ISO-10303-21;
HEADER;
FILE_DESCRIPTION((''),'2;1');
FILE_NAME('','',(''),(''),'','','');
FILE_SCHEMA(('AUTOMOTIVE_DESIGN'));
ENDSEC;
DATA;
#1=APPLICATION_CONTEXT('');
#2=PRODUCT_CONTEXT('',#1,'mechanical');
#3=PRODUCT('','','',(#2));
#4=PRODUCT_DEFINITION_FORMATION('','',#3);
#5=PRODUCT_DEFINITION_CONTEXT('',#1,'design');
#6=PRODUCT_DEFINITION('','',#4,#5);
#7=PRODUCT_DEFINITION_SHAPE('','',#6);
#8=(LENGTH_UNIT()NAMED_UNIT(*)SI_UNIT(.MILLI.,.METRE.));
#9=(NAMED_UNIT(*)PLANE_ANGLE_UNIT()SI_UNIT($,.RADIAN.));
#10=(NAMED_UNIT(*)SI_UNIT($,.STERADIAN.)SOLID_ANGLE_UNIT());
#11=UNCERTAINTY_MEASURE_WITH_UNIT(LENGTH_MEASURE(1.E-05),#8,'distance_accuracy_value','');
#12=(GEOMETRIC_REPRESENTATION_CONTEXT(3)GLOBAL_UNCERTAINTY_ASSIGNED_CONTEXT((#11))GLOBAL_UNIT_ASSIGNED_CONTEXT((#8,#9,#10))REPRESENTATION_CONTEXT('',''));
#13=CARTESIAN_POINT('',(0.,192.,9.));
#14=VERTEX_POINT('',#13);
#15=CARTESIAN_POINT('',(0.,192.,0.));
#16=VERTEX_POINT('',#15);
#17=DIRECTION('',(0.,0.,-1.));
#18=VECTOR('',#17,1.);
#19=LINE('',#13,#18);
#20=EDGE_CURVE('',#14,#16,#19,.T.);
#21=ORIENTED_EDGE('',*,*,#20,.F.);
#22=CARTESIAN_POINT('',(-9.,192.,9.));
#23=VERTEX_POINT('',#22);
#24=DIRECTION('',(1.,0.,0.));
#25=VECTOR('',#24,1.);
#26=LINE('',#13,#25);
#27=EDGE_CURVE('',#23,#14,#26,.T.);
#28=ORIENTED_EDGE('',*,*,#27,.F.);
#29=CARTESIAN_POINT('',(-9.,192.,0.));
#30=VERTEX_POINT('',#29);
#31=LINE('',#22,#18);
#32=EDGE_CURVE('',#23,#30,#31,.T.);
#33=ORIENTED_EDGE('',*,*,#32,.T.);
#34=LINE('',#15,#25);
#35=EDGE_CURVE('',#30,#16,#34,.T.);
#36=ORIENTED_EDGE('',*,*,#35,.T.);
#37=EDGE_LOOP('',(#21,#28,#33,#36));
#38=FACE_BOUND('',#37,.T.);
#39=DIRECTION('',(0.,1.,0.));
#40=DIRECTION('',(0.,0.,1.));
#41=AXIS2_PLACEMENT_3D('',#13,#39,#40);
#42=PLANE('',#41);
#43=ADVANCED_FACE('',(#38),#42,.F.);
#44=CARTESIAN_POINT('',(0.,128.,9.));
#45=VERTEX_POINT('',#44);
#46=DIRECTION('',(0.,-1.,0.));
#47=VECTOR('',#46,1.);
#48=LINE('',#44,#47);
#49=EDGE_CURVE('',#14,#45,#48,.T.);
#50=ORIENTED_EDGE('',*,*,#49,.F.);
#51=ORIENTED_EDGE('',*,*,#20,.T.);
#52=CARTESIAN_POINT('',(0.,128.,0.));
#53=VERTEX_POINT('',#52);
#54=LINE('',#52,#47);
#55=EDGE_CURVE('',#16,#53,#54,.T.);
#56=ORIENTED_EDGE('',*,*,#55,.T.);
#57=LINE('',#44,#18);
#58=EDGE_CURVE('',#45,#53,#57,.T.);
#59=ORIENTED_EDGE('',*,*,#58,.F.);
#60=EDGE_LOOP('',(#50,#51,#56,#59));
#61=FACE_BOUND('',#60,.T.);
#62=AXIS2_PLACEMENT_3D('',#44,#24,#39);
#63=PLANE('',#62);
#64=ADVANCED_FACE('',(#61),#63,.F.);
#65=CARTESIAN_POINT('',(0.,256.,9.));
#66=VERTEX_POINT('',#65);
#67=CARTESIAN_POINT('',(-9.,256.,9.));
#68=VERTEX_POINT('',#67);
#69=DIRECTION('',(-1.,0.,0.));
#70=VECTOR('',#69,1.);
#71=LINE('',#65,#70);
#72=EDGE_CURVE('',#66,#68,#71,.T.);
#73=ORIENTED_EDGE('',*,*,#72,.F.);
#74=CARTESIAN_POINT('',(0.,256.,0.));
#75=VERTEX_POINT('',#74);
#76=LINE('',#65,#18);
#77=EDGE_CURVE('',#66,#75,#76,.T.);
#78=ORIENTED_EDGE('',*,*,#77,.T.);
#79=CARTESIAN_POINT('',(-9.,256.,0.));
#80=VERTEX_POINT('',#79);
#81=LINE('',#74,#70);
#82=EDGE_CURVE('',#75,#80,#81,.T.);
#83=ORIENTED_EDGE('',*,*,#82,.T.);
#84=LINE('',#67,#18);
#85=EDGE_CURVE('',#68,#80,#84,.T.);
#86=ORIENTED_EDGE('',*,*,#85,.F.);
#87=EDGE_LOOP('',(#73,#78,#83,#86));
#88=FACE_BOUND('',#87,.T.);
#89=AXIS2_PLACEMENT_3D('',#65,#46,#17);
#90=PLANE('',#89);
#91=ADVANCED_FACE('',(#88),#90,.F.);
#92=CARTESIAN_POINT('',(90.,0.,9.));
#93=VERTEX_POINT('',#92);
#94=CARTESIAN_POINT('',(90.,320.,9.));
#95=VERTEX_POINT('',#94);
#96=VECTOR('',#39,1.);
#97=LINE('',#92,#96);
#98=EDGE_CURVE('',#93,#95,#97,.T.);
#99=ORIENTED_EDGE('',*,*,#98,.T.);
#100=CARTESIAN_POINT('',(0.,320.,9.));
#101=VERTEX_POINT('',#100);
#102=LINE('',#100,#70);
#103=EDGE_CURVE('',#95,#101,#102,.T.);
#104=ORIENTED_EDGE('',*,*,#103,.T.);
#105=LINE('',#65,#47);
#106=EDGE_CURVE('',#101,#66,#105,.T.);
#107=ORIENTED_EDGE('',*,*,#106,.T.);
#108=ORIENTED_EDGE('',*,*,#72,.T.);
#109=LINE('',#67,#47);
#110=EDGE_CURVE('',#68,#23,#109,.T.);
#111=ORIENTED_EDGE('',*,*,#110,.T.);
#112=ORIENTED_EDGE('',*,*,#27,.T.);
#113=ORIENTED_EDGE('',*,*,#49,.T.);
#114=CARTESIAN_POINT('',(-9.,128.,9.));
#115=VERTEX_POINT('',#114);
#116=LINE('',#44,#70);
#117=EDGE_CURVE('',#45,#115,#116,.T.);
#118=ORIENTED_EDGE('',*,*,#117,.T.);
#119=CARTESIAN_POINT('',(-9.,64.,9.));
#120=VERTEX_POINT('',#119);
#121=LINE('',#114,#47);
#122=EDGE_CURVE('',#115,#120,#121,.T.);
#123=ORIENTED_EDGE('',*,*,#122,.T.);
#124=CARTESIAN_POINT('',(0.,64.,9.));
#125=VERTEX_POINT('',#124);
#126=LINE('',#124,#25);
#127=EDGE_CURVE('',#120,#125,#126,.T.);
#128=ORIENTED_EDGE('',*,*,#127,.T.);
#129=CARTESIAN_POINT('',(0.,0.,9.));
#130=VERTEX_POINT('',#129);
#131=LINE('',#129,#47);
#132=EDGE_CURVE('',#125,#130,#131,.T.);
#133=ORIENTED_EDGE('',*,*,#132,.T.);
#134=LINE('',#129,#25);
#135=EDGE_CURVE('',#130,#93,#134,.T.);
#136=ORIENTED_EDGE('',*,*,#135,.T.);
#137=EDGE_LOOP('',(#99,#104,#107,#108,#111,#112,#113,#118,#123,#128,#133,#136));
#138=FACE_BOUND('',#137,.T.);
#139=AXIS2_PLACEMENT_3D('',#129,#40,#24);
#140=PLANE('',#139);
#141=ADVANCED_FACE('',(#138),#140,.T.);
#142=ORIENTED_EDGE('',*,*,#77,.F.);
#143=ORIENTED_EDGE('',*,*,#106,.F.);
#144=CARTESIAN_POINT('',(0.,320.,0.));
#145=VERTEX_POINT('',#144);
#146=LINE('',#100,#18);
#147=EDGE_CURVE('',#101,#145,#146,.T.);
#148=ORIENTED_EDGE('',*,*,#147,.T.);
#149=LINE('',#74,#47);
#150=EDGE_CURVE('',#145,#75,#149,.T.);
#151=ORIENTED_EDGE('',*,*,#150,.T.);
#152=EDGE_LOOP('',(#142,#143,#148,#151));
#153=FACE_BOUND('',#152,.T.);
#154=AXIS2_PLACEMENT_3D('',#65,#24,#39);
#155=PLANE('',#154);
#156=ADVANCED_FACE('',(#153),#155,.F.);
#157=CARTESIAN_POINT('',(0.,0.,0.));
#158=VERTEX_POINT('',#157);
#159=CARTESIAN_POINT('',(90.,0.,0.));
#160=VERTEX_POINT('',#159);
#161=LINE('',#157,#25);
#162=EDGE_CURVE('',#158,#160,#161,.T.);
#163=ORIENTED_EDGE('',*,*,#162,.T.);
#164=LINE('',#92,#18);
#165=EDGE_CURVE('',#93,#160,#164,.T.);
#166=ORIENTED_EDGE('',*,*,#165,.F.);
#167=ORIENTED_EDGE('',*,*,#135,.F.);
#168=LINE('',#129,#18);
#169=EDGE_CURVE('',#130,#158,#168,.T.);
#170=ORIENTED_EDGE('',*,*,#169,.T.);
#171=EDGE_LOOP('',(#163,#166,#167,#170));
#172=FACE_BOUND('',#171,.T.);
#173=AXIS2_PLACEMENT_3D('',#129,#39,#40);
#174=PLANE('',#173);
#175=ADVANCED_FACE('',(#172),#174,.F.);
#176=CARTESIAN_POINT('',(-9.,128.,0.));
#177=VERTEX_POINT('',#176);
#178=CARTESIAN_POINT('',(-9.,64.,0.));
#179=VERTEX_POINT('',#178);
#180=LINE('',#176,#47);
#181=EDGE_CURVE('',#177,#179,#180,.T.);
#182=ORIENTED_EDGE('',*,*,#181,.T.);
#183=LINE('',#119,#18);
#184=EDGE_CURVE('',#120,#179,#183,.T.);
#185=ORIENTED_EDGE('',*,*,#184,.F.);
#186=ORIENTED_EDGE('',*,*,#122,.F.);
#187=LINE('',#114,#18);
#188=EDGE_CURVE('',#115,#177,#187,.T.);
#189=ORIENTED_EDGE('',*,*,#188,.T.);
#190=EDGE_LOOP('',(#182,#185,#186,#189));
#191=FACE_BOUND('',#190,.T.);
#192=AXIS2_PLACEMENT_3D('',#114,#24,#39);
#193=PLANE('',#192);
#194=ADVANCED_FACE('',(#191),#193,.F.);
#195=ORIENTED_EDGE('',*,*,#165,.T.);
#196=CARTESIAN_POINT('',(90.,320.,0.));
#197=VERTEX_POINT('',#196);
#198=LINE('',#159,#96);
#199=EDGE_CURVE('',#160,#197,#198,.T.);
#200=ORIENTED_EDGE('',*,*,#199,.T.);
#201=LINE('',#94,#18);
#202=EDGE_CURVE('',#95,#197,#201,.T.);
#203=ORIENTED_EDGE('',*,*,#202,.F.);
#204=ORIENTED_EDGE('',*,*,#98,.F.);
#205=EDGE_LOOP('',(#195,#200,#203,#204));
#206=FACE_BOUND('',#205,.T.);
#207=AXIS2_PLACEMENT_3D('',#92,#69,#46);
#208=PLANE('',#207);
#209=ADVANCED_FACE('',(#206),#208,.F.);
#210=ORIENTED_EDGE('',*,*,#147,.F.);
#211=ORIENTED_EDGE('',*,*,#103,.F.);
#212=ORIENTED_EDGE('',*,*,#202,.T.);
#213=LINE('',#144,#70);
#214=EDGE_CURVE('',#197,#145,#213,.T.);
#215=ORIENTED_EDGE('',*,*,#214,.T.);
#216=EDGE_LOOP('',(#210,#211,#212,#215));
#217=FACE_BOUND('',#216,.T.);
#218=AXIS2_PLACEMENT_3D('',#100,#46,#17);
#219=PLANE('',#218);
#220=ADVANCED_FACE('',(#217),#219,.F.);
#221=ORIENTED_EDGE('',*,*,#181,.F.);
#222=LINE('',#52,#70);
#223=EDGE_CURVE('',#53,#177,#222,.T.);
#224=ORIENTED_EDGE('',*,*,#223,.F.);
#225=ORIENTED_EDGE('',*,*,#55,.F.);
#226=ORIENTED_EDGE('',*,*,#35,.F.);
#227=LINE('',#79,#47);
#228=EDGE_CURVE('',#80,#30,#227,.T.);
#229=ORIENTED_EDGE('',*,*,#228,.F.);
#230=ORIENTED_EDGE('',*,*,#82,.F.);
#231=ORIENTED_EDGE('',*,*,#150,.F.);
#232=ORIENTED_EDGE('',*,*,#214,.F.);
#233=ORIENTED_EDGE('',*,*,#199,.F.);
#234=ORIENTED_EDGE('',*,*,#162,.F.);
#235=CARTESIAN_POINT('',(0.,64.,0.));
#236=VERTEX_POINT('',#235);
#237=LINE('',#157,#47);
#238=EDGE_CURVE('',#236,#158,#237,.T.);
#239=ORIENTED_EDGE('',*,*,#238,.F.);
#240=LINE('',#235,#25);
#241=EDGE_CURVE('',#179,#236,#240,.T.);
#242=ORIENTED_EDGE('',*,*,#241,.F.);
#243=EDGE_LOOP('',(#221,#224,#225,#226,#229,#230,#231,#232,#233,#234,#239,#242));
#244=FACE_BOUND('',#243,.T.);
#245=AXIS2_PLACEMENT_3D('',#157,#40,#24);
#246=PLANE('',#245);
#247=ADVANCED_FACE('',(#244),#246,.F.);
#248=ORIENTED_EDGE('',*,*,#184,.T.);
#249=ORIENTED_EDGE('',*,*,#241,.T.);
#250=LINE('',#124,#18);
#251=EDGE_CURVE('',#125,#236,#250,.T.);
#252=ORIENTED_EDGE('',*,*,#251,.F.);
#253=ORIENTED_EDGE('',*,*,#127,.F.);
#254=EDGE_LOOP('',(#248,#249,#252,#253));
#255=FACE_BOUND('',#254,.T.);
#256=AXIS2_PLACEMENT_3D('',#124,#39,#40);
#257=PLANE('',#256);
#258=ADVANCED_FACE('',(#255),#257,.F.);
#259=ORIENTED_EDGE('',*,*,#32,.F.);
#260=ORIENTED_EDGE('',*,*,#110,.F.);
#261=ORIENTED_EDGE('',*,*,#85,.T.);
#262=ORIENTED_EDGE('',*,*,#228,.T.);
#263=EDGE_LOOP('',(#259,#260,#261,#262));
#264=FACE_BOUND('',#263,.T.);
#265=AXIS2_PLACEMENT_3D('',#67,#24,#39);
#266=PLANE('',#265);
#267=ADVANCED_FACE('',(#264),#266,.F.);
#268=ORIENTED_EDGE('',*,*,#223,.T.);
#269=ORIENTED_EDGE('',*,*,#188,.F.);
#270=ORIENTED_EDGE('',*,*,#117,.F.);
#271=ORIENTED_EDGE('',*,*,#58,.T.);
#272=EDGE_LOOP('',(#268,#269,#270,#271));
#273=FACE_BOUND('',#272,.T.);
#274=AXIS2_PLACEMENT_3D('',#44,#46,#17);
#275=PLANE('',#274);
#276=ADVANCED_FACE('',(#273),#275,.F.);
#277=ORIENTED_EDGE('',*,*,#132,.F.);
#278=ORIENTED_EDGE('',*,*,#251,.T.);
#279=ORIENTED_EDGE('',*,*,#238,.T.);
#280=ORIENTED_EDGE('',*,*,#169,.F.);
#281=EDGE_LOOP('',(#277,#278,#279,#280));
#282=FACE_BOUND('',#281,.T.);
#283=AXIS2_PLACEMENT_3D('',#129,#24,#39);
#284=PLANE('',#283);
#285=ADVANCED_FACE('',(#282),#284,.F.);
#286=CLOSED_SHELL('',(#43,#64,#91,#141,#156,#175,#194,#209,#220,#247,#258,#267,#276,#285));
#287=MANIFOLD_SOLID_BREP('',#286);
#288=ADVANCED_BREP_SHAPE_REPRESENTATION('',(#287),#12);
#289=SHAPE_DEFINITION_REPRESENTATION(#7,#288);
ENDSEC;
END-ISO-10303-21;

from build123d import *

# Parameters (mm, degrees)
BOSS_EXTRUDE1_DEPTH = 9


with BuildPart() as part:
    # Sketch2 → Boss-Extrude1 (new body)
    with BuildSketch(Plane.XY):
        Polygon((0, 256), (0, 320), (90, 320), (90, 0), (0, 0), (0, 64), (-9, 64), (-9, 128), (0, 128), (0, 192), (-9, 192), (-9, 256), align=None)
    extrude(amount=BOSS_EXTRUDE1_DEPTH)


solid = part.part
